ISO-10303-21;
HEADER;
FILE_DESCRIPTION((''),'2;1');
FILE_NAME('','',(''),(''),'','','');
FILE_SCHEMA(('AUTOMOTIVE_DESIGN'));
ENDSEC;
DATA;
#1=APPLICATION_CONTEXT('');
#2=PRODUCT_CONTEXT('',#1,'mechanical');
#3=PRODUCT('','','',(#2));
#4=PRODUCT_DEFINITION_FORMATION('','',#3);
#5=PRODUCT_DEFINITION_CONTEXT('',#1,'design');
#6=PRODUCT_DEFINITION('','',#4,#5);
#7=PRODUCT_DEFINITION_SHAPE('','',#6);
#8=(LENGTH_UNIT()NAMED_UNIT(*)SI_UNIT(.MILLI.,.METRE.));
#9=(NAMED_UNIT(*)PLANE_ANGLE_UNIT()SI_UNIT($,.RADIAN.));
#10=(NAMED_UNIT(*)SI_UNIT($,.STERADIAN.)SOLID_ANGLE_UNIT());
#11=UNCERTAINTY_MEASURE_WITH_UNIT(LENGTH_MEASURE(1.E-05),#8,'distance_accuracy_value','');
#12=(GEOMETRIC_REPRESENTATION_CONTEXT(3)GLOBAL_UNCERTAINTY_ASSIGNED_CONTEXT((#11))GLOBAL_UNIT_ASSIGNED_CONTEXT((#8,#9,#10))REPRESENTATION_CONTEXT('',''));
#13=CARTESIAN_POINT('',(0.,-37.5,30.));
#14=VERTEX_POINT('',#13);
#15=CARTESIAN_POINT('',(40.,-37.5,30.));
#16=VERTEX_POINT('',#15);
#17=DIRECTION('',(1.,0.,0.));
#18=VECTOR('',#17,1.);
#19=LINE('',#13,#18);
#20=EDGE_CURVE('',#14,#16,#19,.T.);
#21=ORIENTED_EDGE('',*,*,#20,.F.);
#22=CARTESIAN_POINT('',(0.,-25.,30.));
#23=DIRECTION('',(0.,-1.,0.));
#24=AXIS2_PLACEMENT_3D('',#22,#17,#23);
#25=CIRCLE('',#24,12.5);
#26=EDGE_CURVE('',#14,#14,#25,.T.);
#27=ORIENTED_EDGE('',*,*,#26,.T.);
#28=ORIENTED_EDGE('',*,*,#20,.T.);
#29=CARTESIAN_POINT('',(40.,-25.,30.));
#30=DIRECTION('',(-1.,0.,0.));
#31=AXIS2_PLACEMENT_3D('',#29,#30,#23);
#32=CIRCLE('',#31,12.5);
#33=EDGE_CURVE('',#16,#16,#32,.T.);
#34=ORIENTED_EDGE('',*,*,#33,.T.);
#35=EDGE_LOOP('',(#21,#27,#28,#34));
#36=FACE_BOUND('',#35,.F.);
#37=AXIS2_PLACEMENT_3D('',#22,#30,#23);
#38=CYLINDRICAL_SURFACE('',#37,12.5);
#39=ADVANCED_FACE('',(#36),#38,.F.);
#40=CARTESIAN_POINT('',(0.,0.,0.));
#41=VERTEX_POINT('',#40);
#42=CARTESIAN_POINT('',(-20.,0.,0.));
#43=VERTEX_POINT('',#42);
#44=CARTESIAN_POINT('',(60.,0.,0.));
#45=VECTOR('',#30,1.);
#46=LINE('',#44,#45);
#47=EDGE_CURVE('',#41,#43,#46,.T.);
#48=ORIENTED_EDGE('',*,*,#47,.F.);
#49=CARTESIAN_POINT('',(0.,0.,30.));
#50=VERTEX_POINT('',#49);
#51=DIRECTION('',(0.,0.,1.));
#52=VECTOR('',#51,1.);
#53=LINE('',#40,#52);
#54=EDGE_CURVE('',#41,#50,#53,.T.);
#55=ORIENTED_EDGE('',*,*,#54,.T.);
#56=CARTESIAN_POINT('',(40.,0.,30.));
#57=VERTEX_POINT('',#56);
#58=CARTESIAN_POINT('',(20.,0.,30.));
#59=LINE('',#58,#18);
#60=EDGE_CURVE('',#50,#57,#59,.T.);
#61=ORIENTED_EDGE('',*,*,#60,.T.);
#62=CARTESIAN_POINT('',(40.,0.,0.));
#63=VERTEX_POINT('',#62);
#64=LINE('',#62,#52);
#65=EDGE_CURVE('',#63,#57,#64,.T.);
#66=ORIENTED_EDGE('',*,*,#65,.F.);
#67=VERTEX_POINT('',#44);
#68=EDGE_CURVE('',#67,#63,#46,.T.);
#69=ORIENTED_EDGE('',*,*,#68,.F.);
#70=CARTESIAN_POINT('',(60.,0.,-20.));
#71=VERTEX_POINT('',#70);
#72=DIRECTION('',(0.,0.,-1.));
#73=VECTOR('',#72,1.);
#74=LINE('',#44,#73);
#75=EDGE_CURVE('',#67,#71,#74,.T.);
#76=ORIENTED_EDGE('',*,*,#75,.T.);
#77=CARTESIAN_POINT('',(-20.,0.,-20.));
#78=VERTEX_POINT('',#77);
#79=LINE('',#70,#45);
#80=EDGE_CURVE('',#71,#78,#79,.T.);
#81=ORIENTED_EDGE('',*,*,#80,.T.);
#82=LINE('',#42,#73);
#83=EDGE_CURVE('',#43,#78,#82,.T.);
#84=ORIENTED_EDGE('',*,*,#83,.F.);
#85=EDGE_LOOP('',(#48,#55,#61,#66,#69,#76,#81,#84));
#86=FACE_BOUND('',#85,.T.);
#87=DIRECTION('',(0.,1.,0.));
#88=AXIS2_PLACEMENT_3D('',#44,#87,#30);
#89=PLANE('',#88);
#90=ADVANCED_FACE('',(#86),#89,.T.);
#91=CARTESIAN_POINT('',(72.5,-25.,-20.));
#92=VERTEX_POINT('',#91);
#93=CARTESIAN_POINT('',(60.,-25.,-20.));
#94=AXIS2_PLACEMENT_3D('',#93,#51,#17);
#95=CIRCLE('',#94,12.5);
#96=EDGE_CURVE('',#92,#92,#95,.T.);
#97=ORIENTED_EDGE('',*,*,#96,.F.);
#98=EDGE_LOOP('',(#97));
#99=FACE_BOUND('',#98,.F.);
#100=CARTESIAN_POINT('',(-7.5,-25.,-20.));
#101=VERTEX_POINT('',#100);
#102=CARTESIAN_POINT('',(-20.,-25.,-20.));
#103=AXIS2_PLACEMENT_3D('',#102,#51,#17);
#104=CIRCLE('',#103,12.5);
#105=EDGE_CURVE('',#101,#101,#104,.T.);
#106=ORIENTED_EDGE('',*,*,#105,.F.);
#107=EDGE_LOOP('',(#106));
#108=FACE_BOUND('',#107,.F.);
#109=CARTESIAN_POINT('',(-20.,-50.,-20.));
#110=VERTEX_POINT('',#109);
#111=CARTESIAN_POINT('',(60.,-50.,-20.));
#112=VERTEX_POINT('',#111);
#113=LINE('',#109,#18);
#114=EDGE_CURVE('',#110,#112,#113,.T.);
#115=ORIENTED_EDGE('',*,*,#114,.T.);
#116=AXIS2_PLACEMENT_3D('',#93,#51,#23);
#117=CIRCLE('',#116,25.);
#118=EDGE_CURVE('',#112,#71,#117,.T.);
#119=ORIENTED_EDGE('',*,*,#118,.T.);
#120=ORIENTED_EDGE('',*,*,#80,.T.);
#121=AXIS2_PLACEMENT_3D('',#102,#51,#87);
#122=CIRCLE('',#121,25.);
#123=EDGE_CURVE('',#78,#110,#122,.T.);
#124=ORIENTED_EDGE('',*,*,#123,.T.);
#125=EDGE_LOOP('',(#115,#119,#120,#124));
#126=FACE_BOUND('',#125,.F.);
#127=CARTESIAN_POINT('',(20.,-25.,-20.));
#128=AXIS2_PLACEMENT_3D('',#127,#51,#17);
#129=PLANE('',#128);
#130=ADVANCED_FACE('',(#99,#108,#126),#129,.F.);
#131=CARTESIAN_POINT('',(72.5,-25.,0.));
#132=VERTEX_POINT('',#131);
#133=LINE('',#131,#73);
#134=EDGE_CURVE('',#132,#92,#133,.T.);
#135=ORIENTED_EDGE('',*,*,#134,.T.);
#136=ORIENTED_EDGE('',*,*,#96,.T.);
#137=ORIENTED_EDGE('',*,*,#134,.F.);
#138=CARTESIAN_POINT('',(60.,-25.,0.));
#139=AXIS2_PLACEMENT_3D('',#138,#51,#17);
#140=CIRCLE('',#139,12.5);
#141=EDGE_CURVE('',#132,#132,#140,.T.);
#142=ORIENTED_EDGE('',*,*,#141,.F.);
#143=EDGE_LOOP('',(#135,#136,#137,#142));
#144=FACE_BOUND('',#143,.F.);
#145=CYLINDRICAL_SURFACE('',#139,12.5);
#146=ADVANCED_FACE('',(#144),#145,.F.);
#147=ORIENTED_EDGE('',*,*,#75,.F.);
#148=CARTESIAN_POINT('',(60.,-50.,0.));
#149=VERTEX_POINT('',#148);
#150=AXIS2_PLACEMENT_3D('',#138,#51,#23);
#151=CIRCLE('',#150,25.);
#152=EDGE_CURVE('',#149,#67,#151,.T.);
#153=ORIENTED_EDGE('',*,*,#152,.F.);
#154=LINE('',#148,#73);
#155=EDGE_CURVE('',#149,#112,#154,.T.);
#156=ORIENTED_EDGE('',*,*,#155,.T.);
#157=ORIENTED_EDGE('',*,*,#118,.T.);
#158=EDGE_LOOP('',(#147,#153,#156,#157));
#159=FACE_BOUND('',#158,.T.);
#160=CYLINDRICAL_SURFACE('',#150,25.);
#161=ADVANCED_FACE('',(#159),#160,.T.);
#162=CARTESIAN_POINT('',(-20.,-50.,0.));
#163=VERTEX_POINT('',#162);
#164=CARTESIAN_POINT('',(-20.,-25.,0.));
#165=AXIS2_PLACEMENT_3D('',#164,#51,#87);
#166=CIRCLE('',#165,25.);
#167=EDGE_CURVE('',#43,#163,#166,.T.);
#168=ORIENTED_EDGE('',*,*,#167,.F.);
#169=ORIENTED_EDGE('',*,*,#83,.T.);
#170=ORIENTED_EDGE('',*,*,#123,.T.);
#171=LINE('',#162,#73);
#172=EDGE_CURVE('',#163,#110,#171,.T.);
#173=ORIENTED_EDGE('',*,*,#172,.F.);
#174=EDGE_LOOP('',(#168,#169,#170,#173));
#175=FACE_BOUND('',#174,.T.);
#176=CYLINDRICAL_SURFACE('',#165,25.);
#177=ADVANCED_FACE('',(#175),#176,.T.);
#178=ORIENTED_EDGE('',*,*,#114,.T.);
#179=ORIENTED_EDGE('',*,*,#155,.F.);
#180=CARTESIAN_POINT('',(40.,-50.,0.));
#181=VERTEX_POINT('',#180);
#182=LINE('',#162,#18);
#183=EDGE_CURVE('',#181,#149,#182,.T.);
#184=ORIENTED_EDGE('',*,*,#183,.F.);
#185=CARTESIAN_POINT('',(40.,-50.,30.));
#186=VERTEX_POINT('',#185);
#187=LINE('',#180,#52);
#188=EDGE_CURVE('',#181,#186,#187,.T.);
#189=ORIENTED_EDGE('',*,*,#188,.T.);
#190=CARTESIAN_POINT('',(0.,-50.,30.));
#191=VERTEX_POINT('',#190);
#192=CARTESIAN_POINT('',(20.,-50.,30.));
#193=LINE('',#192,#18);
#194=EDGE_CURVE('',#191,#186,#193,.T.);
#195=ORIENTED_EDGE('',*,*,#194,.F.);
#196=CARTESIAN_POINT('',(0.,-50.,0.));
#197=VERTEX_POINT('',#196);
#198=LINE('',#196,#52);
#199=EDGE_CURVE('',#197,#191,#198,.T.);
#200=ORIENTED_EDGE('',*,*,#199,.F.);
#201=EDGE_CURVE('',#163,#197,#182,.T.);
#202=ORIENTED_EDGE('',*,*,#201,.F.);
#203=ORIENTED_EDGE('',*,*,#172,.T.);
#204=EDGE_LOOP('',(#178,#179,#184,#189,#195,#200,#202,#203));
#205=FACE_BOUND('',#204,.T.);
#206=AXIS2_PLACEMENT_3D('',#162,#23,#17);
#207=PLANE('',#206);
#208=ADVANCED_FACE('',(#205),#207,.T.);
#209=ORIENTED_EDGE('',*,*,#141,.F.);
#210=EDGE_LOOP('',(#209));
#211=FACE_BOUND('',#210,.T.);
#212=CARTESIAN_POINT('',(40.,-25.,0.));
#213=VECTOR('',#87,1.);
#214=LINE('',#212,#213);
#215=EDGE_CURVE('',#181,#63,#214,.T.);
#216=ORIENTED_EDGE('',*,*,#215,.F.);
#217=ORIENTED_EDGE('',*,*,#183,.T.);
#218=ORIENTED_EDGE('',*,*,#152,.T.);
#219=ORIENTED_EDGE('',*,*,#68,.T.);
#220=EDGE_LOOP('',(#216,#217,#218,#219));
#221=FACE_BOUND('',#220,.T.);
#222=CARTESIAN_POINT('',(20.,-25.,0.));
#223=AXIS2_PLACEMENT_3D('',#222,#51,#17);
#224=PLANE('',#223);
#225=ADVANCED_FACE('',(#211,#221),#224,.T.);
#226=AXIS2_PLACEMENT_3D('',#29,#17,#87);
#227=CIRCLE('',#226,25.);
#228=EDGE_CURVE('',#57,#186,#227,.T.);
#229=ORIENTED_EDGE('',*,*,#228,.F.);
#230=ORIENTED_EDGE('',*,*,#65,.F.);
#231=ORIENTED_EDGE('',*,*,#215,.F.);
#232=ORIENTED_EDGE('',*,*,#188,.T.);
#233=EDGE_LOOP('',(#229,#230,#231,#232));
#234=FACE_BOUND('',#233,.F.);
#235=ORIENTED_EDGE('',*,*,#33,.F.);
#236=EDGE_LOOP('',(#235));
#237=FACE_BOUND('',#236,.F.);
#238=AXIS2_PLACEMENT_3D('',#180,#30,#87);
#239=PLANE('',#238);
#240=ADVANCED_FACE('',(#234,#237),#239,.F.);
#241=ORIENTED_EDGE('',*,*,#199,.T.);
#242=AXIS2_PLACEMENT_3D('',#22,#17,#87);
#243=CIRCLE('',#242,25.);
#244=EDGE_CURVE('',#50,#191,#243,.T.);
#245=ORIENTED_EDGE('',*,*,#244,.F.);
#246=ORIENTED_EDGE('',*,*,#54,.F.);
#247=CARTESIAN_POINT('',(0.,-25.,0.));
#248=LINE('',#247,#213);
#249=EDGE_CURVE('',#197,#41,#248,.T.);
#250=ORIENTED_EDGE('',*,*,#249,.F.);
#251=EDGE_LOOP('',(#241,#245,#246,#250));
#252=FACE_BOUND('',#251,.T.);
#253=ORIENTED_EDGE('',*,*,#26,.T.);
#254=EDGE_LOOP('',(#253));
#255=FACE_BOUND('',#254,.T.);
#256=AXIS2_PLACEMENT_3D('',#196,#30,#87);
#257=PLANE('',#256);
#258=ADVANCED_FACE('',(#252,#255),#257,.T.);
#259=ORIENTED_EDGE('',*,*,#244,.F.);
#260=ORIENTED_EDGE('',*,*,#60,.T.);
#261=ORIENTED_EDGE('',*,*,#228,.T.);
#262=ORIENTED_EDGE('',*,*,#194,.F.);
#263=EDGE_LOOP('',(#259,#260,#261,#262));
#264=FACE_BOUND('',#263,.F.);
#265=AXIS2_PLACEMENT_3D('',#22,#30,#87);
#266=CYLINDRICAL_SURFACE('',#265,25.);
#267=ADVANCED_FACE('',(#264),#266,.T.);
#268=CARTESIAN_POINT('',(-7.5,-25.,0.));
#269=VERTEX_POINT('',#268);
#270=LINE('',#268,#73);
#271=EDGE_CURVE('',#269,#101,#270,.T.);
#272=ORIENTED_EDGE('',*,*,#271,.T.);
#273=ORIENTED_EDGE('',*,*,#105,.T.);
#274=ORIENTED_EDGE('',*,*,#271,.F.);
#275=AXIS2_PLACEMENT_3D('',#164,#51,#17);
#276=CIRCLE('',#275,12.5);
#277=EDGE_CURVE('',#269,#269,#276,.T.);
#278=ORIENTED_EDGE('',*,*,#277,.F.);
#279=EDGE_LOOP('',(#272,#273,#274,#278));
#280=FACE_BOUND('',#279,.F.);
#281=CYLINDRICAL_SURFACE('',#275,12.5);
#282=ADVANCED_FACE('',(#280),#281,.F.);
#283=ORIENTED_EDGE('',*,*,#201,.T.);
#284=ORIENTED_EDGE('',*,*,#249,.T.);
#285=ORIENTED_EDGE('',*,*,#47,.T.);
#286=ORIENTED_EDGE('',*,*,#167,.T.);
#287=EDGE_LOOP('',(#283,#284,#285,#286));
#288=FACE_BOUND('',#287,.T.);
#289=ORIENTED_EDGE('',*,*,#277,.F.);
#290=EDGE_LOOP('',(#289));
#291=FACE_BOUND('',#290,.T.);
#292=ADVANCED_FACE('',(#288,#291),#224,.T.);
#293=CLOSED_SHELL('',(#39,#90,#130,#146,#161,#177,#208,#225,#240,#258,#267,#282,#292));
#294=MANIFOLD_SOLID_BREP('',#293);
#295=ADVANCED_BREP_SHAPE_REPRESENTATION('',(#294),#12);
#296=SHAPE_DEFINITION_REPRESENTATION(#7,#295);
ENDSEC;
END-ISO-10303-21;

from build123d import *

# Parameters (mm, degrees)
F0_W     = 40
F0_H     = 50
F0_R     = 12.5
F1_DEPTH = 20
F2_DEPTH = 30
F4_DEPTH = 40
F5_DEPTH = 85.001


with BuildPart() as f1:
    # F0 (on Top) → F1 (new body)
    with BuildSketch(Plane.XY):
        with Locations((20, -25)):
            Rectangle(F0_W, F0_H)
        with BuildLine():
            Line((0, -50), (0, 0))
            Line((0, 0), (-20, 0))
            ThreePointArc((-20, 0), (-45, -25), (-20, -50))
            Line((-20, -50), (0, -50))
        make_face()
        with Locations((-20, -25)):
            Circle(F0_R, mode=Mode.SUBTRACT)
        with BuildLine():
            Line((60, 0), (40, 0))
            Line((40, 0), (40, -50))
            Line((40, -50), (60, -50))
            ThreePointArc((60, -50), (85, -25), (60, 0))
        make_face()
        with Locations((60, -25)):
            Circle(F0_R, mode=Mode.SUBTRACT)
    extrude(amount=-F1_DEPTH)

    # F0 (on Top) → F2 (join)
    with BuildSketch(Plane.XY):
        with Locations((20, -25)):
            Rectangle(F0_W, F0_H)
    extrude(amount=F2_DEPTH)

    # F3 (on Right) → F4 (join)
    with BuildSketch(Plane.YZ):
        with BuildLine():
            Line((-50, 0), (0, 0))
            Line((0, 0), (0, 30))
            Line((0, 30), (-12.5, 30))
            ThreePointArc((-12.5, 30), (-25, 17.5), (-37.5, 30))
            Line((-37.5, 30), (-50, 30))
            Line((-50, 30), (-50, 0))
        make_face()
        with BuildLine():
            Line((-12.5, 30), (0, 30))
            ThreePointArc((0, 30), (-25, 55), (-50, 30))
            Line((-50, 30), (-37.5, 30))
            ThreePointArc((-37.5, 30), (-25, 42.5), (-12.5, 30))
        make_face()
    extrude(amount=F4_DEPTH)

    # F3 (on Right) → F5 (cut, through all)
    with BuildSketch(Plane.YZ):
        with BuildLine():
            ThreePointArc((-37.5, 30), (-25, 17.5), (-12.5, 30))
            Line((-12.5, 30), (-37.5, 30))
        make_face()
    extrude(amount=F5_DEPTH, mode=Mode.SUBTRACT)


solid = f1.part
